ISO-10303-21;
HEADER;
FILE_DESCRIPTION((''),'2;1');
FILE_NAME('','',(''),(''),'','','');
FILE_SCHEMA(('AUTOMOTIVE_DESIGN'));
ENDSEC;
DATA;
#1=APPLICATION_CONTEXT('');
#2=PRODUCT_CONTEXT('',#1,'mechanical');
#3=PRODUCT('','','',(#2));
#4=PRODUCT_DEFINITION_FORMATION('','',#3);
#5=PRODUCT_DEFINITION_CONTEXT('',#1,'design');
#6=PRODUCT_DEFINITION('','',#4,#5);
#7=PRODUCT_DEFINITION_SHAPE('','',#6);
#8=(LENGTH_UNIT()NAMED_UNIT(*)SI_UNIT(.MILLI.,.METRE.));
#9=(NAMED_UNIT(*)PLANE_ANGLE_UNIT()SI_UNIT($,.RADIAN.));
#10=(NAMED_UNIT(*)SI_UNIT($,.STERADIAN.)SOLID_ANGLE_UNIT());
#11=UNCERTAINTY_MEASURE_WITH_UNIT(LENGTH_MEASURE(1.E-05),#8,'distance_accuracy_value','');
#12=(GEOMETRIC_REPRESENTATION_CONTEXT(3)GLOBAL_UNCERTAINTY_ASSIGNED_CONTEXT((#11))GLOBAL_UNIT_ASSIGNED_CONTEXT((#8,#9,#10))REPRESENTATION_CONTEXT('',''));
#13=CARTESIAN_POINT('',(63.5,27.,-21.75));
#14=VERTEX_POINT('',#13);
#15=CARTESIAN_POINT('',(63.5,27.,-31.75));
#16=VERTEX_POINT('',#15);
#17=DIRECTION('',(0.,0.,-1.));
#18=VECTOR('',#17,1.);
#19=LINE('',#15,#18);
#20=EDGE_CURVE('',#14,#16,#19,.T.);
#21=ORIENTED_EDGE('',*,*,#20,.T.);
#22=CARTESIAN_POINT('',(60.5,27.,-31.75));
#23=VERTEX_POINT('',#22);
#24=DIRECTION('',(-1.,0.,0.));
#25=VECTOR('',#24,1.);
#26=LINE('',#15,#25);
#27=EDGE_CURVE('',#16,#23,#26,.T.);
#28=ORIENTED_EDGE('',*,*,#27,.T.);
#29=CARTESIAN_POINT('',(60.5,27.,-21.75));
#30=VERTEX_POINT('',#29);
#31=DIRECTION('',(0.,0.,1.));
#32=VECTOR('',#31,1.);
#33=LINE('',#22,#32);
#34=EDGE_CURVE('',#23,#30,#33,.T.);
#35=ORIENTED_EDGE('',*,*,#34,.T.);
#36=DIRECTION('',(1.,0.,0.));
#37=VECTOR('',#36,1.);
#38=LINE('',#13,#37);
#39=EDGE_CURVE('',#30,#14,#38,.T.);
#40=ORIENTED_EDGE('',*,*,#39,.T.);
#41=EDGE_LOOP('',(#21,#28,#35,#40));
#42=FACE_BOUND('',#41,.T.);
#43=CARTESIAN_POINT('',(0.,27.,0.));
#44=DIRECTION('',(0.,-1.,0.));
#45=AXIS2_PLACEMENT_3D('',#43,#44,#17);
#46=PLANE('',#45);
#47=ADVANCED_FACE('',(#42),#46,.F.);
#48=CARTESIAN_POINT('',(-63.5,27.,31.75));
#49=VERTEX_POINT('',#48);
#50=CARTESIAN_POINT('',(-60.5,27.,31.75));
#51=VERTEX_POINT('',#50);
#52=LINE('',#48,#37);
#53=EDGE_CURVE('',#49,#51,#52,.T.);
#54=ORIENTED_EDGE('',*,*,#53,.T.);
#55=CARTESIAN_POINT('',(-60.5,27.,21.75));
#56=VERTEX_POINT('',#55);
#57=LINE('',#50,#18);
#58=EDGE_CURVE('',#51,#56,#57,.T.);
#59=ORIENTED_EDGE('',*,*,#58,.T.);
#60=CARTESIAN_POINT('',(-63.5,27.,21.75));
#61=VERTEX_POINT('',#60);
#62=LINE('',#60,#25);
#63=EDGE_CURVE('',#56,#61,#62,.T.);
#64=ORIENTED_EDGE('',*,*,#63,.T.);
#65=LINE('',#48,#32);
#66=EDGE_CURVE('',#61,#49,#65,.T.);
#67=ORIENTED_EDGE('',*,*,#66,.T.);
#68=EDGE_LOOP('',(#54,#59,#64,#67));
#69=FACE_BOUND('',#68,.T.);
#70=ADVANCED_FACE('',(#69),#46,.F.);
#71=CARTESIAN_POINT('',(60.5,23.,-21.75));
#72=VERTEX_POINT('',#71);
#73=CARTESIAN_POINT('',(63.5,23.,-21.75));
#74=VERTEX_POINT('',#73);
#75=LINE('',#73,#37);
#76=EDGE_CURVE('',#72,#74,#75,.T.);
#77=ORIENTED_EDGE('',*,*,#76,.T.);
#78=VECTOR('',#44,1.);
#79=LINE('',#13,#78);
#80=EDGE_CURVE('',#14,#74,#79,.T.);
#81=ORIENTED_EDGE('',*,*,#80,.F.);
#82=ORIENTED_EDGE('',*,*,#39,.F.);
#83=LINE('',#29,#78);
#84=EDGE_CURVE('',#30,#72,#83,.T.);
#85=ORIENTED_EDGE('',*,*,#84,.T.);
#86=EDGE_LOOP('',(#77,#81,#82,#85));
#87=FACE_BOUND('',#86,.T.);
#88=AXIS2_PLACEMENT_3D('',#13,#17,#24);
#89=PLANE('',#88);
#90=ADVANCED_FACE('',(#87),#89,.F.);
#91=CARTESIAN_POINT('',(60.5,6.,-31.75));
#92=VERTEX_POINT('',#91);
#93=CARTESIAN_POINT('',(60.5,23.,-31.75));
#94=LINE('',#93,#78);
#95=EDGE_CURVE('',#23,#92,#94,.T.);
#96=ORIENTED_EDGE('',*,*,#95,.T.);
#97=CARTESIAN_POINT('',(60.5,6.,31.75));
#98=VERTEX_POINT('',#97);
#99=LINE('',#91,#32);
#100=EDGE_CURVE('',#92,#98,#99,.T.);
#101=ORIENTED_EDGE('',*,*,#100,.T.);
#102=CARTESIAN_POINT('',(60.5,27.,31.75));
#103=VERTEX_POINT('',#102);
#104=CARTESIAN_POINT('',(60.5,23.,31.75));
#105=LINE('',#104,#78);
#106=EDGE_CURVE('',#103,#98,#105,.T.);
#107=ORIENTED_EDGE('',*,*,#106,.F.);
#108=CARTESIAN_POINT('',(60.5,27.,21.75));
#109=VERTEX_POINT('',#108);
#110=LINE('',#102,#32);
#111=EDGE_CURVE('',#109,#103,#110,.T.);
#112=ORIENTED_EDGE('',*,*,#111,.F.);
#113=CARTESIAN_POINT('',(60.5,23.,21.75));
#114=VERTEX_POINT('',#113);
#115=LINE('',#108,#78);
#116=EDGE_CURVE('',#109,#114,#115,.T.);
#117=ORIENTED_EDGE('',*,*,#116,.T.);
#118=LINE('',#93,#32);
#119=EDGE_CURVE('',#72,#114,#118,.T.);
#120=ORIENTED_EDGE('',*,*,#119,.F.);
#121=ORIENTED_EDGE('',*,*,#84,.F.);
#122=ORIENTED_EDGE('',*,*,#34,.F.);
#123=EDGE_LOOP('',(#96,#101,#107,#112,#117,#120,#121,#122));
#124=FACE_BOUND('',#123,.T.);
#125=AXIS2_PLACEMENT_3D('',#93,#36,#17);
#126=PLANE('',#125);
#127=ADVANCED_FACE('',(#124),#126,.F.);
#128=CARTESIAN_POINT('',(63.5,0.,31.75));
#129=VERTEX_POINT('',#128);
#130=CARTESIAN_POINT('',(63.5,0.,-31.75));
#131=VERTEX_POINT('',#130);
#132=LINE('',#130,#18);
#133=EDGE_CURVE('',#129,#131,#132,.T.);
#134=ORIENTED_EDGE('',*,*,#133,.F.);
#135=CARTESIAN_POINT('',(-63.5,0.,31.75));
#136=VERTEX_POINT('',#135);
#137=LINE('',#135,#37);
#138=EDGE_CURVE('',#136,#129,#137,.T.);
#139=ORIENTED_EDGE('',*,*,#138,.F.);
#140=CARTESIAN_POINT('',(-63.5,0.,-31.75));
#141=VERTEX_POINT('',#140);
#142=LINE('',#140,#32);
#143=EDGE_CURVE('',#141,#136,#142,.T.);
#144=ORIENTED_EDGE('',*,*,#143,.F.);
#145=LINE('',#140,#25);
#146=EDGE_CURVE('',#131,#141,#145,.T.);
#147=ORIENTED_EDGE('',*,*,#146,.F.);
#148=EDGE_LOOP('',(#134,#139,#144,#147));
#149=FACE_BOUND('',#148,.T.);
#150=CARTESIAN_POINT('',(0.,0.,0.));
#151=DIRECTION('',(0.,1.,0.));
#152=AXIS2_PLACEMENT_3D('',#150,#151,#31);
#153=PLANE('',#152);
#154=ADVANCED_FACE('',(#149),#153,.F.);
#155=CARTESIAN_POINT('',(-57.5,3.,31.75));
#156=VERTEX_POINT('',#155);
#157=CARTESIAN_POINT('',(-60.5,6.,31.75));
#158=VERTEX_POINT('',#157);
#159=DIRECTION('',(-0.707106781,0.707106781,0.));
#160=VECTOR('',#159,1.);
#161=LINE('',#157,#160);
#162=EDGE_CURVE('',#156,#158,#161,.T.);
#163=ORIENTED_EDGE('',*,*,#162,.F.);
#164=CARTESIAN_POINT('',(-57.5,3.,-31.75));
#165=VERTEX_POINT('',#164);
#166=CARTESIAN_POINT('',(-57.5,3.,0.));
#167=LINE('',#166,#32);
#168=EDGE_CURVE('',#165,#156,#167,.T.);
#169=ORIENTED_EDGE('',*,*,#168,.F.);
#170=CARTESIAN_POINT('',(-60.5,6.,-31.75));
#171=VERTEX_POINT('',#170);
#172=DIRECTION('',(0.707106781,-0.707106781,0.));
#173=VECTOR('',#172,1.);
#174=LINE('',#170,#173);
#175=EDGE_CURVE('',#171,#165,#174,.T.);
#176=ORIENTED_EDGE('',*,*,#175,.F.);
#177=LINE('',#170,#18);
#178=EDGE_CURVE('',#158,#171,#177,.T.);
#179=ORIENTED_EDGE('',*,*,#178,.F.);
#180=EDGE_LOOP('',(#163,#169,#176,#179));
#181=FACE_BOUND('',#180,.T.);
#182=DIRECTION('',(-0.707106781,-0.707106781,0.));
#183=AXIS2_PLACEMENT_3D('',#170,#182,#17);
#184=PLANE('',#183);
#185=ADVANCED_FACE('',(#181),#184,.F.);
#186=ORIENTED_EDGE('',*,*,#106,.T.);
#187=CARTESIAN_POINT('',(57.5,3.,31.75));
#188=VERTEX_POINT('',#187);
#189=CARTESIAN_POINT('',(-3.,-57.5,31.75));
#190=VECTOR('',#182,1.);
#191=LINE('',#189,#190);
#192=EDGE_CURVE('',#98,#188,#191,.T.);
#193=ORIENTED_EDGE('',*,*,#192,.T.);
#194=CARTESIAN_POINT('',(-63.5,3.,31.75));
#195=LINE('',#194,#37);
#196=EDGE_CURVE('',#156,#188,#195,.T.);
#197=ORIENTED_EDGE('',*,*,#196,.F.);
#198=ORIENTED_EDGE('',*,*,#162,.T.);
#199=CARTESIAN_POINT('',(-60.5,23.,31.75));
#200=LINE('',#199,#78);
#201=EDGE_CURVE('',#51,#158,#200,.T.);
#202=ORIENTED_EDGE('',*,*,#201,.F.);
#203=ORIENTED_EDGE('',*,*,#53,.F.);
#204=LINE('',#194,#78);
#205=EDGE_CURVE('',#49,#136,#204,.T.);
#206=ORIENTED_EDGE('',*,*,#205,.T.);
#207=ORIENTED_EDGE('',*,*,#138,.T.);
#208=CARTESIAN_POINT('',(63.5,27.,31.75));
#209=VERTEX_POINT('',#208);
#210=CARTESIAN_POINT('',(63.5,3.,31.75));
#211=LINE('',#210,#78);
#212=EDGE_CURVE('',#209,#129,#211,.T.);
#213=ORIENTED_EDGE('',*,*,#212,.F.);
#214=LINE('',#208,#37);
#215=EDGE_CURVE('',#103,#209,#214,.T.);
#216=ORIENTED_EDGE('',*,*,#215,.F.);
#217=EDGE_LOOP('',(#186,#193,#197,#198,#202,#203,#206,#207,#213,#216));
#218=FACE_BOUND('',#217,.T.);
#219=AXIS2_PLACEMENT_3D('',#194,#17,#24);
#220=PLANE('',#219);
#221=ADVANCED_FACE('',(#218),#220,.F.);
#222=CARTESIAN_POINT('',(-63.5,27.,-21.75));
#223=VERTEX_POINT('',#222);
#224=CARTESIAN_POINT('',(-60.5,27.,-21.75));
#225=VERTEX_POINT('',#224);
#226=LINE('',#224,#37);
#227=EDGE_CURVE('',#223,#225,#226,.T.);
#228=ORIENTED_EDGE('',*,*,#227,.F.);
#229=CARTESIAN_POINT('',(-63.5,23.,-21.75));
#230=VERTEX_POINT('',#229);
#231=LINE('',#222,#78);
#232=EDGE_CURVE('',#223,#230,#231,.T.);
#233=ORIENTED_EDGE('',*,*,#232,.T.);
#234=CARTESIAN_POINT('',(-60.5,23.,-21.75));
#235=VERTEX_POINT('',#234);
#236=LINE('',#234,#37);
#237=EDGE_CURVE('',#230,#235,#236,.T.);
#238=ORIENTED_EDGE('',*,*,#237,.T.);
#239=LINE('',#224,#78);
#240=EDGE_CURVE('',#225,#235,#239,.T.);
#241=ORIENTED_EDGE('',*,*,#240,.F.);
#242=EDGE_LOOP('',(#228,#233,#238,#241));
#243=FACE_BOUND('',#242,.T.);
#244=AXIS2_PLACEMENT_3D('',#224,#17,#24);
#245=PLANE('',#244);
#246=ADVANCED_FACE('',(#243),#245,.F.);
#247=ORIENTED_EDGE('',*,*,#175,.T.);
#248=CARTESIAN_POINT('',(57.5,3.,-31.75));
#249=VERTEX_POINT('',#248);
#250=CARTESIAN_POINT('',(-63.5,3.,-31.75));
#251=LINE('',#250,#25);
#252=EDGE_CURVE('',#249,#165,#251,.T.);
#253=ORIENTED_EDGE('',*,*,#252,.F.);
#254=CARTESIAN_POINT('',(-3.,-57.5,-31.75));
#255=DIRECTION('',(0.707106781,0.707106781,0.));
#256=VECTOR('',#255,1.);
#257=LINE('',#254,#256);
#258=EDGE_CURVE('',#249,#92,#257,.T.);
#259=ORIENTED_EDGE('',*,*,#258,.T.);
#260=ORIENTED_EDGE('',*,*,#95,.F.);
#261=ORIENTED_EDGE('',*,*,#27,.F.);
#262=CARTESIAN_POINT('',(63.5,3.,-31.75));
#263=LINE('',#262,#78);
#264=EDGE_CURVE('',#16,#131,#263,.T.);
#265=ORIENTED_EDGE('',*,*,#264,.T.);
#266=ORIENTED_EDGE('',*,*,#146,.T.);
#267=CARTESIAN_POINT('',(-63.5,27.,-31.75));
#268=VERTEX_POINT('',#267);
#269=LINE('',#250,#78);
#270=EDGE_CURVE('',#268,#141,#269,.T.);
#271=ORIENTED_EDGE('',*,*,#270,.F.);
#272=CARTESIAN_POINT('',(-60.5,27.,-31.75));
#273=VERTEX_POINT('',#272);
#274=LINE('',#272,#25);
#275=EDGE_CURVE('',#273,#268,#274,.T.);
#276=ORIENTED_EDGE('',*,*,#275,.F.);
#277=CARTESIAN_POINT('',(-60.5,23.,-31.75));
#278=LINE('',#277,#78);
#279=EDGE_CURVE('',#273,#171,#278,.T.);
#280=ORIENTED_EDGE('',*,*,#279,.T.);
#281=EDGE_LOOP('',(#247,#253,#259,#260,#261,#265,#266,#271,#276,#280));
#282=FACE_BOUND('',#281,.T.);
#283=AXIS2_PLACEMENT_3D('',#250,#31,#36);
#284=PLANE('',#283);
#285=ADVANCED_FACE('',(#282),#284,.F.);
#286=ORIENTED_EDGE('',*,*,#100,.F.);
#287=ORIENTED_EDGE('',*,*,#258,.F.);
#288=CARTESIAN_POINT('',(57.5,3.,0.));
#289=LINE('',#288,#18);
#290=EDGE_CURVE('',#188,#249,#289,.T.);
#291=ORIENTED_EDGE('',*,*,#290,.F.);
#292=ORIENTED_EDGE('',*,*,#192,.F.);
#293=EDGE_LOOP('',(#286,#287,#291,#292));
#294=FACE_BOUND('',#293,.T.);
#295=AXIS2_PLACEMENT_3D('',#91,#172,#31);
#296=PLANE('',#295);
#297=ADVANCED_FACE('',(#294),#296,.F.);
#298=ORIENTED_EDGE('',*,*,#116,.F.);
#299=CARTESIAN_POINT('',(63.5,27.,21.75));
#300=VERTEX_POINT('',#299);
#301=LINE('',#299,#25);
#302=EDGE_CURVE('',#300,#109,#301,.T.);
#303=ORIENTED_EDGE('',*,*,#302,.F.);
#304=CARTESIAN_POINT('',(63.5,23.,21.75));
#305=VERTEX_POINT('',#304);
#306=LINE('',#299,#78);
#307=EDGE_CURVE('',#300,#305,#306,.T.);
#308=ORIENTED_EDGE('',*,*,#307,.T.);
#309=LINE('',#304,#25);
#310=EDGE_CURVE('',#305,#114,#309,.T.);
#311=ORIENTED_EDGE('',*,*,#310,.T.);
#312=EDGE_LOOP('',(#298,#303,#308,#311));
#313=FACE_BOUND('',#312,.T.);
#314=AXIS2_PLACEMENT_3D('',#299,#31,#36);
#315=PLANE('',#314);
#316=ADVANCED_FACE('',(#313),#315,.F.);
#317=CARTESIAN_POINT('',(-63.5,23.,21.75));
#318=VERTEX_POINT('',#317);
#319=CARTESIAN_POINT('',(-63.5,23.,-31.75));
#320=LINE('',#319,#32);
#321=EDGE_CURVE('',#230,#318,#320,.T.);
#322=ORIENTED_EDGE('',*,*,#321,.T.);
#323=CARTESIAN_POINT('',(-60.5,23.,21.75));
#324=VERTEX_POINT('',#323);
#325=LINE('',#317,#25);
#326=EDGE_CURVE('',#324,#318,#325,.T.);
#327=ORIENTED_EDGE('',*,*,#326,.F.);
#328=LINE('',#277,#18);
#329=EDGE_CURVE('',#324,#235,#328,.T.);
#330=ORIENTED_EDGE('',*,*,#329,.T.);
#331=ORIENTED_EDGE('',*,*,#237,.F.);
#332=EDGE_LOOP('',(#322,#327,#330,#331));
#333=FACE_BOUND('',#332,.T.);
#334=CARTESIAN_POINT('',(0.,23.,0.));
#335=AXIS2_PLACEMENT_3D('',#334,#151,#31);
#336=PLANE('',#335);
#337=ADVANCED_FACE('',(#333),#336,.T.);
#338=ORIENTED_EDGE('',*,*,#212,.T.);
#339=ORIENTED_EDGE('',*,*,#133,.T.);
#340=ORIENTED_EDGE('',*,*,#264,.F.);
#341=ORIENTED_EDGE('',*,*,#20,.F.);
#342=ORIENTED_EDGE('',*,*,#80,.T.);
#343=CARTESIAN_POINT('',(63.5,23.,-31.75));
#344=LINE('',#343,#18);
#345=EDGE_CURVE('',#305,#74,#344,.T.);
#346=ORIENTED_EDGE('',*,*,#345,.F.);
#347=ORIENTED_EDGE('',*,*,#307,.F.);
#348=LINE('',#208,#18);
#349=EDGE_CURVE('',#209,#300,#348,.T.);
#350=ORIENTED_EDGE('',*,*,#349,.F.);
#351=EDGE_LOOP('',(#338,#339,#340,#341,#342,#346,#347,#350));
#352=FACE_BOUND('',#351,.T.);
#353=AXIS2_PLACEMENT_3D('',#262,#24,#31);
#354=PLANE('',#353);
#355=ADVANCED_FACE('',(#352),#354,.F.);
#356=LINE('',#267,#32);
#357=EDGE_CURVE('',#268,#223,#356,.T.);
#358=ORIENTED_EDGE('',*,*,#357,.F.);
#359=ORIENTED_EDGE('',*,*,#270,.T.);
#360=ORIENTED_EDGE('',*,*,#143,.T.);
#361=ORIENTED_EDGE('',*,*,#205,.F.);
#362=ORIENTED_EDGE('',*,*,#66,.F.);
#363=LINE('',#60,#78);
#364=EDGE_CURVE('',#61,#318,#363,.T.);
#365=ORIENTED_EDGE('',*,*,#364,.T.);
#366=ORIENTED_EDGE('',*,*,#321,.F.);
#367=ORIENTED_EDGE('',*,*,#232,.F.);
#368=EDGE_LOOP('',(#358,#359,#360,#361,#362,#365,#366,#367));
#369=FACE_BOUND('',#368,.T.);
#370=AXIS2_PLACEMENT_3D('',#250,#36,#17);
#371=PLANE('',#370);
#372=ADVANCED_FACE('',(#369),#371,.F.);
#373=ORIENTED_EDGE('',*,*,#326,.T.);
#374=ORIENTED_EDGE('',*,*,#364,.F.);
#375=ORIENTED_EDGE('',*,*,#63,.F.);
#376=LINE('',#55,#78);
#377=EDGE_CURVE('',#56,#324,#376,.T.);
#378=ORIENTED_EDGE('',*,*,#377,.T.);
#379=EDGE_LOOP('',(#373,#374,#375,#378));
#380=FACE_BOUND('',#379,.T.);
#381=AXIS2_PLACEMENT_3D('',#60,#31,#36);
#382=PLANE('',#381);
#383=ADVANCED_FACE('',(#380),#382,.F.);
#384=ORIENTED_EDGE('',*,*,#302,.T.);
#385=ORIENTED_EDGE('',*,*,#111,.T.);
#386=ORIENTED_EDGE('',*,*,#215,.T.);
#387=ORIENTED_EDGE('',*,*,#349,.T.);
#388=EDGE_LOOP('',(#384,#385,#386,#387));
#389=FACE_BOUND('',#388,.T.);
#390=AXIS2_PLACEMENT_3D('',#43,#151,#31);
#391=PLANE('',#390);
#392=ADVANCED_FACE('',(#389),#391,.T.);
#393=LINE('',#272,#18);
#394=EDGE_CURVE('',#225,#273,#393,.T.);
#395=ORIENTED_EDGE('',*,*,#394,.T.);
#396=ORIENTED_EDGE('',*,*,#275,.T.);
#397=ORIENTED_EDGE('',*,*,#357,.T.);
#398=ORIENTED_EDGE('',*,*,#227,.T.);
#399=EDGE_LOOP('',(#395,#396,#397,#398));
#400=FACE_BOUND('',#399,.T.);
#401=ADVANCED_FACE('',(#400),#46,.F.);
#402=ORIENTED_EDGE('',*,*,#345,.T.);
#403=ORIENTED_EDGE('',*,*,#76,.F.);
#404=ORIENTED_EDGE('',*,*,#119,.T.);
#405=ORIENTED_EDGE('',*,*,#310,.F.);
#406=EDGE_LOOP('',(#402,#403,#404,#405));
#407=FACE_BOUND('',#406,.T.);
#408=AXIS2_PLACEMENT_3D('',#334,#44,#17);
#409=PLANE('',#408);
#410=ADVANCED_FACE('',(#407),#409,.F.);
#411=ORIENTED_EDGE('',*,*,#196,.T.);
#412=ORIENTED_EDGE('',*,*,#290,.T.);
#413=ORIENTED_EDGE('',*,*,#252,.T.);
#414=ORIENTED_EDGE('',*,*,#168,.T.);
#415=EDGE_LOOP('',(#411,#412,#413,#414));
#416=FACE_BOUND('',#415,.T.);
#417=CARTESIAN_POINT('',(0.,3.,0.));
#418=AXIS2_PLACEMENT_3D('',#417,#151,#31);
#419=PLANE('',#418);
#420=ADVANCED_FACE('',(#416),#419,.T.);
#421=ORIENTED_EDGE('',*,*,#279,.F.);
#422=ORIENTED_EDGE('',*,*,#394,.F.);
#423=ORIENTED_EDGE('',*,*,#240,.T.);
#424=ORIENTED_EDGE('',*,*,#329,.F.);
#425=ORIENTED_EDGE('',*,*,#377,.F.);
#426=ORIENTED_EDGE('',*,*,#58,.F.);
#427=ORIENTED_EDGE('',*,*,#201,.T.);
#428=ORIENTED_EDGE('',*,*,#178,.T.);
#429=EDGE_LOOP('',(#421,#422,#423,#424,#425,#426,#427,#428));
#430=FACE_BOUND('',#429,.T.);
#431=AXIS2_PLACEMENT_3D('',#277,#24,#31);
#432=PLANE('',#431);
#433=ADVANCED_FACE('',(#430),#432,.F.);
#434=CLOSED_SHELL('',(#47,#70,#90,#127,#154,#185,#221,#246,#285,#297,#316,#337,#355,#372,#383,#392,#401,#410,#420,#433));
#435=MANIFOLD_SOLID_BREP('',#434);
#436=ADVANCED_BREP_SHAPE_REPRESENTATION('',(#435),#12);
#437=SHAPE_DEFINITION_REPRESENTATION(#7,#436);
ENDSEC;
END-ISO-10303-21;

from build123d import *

# Parameters (mm, degrees)
SKETCH1_W           = 127
SKETCH1_H           = 63.5
BOSS_EXTRUDE1_DEPTH = 3
SKETCH2_W           = 3
SKETCH2_H           = 63.5
BOSS_EXTRUDE2_DEPTH = 20
CHAMFER1_SIZE       = 3
SKETCH3_W           = 3
SKETCH3_H           = 10
BOSS_EXTRUDE3_DEPTH = 4


with BuildPart() as part:
    # Sketch1 → Boss-Extrude1 (new body)
    with BuildSketch(Plane(origin=(0, 0, 0), x_dir=(1, 0, 0), z_dir=(0, 1, 0))):
        Rectangle(SKETCH1_W, SKETCH1_H)
    extrude(amount=BOSS_EXTRUDE1_DEPTH)

    # Sketch2 → Boss-Extrude2 (add)
    with BuildSketch(Plane(origin=(0, 3, 0), x_dir=(1, 0, 0), z_dir=(0, 1, 0))):
        with Locations((-62, 0)):
            Rectangle(SKETCH2_W, SKETCH2_H)
        with Locations((62, 0)):
            Rectangle(SKETCH2_W, SKETCH2_H)
    extrude(amount=BOSS_EXTRUDE2_DEPTH)

    # Chamfer1
    chamfer1_edges = [part.edges().sort_by_distance(p)[0] for p in [
        (-60.5, 3, 0),
        (60.5, 3, 0),
    ]]
    chamfer(chamfer1_edges, length=CHAMFER1_SIZE)

    # Sketch3 → Boss-Extrude3 (add)
    with BuildSketch(Plane(origin=(0, 23, 0), x_dir=(1, 0, 0), z_dir=(0, 1, 0))):
        with Locations((-62, 26.75)):
            Rectangle(SKETCH3_W, SKETCH3_H)
        with Locations((-62, -26.75)):
            Rectangle(SKETCH3_W, SKETCH3_H)
        with Locations((62, 26.75)):
            Rectangle(SKETCH3_W, SKETCH3_H)
        with Locations((62, -26.75)):
            Rectangle(SKETCH3_W, SKETCH3_H)
    extrude(amount=BOSS_EXTRUDE3_DEPTH)


solid = part.part
